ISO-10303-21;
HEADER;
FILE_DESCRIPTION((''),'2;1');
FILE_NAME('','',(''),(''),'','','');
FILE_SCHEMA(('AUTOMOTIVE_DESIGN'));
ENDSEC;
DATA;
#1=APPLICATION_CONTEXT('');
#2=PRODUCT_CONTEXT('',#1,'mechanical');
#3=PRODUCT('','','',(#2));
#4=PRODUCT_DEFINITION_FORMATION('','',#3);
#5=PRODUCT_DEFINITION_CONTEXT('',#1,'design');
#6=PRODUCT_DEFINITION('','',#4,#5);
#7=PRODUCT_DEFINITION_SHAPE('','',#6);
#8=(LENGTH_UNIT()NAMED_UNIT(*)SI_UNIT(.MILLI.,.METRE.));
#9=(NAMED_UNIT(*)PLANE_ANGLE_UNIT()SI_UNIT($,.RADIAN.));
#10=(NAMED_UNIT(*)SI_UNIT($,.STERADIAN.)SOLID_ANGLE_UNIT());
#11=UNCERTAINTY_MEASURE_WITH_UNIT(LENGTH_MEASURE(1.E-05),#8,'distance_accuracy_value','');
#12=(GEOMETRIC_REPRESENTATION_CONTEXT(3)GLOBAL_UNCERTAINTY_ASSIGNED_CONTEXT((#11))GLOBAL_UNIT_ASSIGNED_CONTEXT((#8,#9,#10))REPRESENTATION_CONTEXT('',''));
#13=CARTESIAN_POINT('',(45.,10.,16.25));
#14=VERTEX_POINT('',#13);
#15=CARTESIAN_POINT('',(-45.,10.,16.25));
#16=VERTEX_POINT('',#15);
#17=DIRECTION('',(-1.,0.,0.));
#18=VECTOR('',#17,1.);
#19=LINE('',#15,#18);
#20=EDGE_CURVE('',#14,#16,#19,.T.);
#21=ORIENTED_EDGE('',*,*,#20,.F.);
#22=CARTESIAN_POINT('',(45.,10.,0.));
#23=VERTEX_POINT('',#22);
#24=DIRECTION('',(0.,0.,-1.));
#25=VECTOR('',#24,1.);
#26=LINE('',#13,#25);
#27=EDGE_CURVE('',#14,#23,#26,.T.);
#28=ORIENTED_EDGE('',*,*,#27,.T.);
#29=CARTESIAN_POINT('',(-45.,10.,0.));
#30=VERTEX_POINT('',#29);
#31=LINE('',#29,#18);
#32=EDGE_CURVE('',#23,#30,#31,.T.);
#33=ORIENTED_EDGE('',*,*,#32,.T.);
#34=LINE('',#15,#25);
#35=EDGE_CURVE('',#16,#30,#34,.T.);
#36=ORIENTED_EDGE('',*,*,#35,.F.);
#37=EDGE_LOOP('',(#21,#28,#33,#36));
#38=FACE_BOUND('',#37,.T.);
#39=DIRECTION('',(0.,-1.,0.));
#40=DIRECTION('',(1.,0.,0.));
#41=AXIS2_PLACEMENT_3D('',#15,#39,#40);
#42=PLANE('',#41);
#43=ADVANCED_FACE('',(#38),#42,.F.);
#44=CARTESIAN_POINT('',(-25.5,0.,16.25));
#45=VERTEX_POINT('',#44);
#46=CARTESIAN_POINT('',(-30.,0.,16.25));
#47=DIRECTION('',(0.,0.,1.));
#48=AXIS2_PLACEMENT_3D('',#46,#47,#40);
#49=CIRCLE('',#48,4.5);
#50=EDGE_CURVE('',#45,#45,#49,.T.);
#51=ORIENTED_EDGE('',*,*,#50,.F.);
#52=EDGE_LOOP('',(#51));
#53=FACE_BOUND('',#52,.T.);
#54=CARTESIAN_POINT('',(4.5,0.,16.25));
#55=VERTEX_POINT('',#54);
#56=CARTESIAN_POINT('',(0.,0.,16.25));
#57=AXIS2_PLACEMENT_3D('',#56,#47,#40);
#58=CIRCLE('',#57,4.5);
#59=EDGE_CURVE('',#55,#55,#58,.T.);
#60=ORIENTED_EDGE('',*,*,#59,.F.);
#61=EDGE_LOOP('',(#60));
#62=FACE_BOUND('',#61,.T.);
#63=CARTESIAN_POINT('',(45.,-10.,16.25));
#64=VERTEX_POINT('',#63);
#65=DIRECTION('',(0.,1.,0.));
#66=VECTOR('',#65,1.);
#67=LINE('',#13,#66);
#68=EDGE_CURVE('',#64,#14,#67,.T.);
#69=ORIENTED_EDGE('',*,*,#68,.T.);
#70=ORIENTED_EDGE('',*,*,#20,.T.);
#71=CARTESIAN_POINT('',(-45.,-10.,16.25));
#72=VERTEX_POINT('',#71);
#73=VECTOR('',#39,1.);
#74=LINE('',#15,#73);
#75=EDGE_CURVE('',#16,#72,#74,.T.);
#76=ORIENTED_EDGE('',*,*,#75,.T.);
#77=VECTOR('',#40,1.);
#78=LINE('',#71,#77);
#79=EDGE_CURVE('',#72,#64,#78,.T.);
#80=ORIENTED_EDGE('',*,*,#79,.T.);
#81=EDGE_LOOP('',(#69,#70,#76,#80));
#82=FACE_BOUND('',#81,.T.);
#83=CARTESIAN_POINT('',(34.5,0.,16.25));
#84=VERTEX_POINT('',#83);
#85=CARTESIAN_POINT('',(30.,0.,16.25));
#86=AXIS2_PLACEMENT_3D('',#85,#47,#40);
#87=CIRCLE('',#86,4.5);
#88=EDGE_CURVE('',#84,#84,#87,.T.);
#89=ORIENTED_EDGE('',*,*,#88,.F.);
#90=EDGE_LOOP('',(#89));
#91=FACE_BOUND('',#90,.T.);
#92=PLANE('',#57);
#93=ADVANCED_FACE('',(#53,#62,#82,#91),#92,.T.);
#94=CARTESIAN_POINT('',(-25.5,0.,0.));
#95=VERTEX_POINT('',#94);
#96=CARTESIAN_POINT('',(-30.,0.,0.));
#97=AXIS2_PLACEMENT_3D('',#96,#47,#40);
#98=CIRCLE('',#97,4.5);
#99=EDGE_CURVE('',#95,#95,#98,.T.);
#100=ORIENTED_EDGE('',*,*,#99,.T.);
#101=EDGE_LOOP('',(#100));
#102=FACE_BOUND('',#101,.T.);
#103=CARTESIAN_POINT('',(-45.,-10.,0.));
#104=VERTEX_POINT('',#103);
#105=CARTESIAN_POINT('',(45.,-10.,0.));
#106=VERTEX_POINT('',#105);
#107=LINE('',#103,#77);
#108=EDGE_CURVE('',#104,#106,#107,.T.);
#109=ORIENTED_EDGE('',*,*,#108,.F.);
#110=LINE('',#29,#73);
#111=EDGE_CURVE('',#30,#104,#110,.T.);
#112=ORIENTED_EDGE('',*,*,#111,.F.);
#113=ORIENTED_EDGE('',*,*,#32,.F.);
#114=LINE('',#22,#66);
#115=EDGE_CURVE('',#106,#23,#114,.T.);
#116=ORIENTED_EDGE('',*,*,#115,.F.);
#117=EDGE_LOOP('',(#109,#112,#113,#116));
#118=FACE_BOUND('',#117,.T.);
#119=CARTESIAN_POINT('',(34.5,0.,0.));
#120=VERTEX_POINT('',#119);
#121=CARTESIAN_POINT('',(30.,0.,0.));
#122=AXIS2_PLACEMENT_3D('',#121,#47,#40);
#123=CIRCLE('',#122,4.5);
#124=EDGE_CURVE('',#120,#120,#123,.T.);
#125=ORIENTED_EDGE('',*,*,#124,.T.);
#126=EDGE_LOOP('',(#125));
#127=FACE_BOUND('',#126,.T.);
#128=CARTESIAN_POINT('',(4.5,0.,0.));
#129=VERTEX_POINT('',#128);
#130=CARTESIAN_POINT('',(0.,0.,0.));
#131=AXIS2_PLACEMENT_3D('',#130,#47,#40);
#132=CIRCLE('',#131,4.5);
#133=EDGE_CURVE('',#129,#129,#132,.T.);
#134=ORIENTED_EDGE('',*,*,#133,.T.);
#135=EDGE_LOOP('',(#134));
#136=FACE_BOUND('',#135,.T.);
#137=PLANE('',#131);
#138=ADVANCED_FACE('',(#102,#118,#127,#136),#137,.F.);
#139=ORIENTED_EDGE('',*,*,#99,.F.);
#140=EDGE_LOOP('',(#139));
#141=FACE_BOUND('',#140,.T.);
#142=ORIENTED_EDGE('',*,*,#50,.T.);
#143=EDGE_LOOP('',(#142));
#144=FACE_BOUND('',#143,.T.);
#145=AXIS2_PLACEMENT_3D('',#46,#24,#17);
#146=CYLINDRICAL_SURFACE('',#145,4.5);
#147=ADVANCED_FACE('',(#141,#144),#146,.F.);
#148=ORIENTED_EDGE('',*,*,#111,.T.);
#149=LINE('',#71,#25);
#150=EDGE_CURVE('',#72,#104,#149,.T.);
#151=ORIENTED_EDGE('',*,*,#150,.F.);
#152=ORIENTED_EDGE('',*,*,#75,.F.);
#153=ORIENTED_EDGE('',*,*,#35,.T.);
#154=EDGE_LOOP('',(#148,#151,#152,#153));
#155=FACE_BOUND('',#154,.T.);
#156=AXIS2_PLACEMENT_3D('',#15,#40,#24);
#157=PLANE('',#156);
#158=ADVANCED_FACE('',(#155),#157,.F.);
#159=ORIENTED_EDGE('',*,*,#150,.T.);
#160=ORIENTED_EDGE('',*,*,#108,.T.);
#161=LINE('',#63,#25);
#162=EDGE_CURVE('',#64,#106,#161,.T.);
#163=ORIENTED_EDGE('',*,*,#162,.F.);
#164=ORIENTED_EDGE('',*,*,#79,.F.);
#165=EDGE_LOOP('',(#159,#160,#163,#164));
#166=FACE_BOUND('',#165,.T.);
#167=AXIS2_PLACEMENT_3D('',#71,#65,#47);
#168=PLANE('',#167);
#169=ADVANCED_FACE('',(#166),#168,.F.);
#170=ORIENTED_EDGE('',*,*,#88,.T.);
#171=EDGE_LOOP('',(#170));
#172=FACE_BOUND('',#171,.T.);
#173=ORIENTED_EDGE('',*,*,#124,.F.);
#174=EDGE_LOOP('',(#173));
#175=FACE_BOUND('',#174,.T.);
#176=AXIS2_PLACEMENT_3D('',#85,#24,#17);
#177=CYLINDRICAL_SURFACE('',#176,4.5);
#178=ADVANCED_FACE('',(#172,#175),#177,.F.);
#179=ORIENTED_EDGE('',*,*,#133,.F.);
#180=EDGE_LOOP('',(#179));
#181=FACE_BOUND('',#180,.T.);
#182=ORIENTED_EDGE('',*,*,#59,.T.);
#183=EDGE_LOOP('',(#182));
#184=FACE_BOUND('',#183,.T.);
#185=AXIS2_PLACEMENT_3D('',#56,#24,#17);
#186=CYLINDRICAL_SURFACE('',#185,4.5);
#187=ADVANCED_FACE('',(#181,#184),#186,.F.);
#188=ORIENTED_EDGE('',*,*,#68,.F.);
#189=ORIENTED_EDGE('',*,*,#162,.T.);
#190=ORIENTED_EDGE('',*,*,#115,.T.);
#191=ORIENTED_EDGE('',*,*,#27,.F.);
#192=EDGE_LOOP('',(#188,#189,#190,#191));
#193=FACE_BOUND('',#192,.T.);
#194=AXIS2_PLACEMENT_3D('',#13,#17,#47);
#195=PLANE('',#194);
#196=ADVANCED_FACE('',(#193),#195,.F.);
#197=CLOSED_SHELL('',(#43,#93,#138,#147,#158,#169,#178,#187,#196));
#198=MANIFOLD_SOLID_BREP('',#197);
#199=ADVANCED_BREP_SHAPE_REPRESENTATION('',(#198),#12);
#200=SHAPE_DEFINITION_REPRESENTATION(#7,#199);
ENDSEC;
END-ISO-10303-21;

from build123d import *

# Parameters (mm, degrees)
SKETCH_1_W      = 90
SKETCH_1_H      = 20
SKETCH_1_R      = 4.5
EXTRUDE_1_DEPTH = 16.25


with BuildPart() as part:
    # 草图1 → 凸台-拉伸1 (new body)
    with BuildSketch(Plane.XY):
        Rectangle(SKETCH_1_W, SKETCH_1_H)
        with Locations((-30, 0)):
            Circle(SKETCH_1_R, mode=Mode.SUBTRACT)
        Circle(SKETCH_1_R, mode=Mode.SUBTRACT)
        with Locations((30, 0)):
            Circle(SKETCH_1_R, mode=Mode.SUBTRACT)
    extrude(amount=EXTRUDE_1_DEPTH)


solid = part.part
